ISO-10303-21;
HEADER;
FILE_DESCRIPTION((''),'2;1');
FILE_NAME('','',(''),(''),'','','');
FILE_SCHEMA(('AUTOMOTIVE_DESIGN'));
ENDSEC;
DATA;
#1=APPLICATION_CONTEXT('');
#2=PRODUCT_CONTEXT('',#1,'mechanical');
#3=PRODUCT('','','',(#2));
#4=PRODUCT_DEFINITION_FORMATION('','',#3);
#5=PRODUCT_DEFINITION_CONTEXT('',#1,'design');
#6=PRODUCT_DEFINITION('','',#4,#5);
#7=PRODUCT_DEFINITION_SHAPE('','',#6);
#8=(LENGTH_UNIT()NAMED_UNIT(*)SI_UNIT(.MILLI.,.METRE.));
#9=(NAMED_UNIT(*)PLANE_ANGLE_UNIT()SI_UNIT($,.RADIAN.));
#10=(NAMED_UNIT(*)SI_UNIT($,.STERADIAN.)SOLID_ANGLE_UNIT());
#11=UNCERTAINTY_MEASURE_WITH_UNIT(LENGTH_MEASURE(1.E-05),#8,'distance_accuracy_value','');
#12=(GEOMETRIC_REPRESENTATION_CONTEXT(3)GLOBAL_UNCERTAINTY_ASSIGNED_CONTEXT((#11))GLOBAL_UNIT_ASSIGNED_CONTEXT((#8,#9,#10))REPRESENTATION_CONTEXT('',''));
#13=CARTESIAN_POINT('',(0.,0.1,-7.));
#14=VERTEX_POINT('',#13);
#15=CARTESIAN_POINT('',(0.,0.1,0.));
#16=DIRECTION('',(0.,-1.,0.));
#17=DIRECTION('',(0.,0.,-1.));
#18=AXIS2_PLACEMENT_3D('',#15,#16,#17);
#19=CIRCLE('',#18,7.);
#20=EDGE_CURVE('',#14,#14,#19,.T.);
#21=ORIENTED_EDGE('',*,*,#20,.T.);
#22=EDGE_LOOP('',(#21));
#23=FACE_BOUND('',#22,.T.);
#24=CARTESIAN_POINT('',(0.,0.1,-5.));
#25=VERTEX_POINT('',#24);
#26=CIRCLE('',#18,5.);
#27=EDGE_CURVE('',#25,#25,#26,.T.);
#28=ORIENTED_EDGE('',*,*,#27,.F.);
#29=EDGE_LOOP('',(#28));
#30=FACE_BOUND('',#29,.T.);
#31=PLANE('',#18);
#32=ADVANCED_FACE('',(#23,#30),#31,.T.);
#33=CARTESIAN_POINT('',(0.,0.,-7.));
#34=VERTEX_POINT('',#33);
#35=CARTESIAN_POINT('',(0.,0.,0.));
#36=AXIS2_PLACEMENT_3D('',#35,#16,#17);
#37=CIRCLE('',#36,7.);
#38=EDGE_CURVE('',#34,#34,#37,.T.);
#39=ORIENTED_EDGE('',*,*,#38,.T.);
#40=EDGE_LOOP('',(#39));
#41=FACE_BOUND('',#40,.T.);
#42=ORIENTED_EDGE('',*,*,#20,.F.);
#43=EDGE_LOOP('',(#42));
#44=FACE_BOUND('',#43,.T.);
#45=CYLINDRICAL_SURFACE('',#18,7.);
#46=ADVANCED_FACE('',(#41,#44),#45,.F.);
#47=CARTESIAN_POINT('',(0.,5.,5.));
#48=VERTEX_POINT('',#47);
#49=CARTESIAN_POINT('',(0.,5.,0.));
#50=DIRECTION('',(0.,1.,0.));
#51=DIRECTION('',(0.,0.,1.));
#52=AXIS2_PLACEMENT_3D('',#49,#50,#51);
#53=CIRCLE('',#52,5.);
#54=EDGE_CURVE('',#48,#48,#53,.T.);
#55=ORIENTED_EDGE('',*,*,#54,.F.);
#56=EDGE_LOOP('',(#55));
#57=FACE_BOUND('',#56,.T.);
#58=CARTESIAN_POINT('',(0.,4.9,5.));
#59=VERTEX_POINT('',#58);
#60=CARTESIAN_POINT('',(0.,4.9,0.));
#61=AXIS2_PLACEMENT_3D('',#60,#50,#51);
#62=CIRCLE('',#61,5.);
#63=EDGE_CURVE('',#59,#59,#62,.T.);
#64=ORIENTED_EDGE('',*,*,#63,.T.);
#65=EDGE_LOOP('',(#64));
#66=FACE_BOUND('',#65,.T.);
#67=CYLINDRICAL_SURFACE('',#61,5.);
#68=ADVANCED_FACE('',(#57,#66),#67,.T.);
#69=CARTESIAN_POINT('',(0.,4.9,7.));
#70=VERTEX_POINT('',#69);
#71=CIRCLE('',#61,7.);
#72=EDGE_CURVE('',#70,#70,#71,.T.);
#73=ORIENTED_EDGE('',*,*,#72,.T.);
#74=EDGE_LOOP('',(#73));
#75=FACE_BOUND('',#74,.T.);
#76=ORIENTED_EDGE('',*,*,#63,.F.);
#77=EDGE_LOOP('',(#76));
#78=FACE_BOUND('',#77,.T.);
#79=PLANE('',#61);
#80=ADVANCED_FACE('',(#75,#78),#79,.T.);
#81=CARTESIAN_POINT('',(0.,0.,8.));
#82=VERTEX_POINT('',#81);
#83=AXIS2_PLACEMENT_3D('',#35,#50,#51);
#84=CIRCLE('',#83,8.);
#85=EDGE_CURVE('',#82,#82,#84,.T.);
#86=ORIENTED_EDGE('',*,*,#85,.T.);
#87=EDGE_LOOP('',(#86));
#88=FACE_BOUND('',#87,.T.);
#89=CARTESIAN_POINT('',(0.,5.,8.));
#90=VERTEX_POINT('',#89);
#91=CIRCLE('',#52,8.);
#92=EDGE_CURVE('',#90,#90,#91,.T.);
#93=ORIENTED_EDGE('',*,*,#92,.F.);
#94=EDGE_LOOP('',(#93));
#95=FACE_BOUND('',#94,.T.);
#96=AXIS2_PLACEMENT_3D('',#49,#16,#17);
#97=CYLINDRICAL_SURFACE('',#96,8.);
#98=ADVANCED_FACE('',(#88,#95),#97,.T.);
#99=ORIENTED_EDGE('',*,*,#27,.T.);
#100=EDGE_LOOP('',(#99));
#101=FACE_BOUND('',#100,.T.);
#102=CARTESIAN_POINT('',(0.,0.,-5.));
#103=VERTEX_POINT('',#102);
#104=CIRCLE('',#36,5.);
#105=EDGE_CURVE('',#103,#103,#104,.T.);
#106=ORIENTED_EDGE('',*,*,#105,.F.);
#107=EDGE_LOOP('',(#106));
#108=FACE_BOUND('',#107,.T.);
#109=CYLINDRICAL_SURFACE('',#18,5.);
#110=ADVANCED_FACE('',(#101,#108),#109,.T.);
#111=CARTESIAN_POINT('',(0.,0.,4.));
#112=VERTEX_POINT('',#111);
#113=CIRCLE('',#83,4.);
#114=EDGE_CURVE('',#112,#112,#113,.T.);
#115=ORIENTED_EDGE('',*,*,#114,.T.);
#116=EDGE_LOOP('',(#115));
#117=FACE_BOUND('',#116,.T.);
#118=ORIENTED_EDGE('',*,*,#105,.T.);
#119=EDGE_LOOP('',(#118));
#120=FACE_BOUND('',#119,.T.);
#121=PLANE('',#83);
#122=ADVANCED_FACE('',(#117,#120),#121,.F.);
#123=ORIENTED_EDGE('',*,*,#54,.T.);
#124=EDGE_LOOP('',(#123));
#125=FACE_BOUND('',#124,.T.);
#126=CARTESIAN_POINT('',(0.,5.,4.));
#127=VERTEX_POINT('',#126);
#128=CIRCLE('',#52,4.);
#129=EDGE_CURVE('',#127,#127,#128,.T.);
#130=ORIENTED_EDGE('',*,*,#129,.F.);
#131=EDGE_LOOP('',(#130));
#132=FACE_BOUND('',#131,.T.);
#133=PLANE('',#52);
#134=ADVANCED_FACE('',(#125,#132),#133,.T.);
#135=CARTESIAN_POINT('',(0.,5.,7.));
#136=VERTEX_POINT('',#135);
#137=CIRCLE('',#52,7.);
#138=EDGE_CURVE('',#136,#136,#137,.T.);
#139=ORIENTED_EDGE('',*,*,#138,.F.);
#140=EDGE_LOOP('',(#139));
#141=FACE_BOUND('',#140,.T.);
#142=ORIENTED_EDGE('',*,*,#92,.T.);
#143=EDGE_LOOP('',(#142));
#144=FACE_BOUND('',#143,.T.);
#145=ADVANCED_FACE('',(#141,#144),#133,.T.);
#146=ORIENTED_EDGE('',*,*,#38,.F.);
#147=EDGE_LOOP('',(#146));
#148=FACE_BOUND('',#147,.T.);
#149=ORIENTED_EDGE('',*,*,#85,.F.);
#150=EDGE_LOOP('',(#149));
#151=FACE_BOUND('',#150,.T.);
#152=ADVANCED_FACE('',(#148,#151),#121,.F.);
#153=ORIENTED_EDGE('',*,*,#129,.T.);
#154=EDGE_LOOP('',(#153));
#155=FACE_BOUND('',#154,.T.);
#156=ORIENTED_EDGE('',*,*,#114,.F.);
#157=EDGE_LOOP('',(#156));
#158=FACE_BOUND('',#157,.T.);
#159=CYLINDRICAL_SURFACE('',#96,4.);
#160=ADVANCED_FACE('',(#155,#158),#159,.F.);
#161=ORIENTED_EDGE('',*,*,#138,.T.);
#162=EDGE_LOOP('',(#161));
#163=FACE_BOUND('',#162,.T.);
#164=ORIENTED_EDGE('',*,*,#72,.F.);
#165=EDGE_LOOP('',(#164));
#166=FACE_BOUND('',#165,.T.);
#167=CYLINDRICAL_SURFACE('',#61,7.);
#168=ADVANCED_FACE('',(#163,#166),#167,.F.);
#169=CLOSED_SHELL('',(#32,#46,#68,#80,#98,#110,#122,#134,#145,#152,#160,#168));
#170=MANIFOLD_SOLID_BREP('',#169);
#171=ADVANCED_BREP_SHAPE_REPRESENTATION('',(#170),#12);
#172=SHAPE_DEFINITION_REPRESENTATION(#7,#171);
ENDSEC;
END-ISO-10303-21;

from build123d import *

# Parameters (mm, degrees)
SKETCH1_R      = 8
SKETCH1_R_2    = 4
EXTRUDE1_DEPTH = 5
SKETCH2_R      = 7
SKETCH2_R_2    = 5
EXTRUDE2_DEPTH = 0.1
EXTRUDE3_START = -0.1
SKETCH3_R      = 7
SKETCH3_R_2    = 5
EXTRUDE3_DEPTH = 0.1


with BuildPart() as part:
    # Sketch1 → Extrude1 (new body)
    with BuildSketch(Plane(origin=(0, 0, 0), x_dir=(1, 0, 0), z_dir=(0, 1, 0))):
        Circle(SKETCH1_R)
        Circle(SKETCH1_R_2, mode=Mode.SUBTRACT)
    extrude(amount=EXTRUDE1_DEPTH)

    # Sketch2 → Extrude2 (cut)
    with BuildSketch(Plane(origin=(0, 5, 0), x_dir=(1, 0, 0), z_dir=(0, 1, 0))):
        Circle(SKETCH2_R)
        Circle(SKETCH2_R_2, mode=Mode.SUBTRACT)
    extrude(amount=-EXTRUDE2_DEPTH, mode=Mode.SUBTRACT)

    # Sketch3 → Extrude3 (cut)
    with BuildSketch(Plane.XZ.offset(EXTRUDE3_START)):
        Circle(SKETCH3_R)
        Circle(SKETCH3_R_2, mode=Mode.SUBTRACT)
    extrude(amount=EXTRUDE3_DEPTH, mode=Mode.SUBTRACT)


solid = part.part
